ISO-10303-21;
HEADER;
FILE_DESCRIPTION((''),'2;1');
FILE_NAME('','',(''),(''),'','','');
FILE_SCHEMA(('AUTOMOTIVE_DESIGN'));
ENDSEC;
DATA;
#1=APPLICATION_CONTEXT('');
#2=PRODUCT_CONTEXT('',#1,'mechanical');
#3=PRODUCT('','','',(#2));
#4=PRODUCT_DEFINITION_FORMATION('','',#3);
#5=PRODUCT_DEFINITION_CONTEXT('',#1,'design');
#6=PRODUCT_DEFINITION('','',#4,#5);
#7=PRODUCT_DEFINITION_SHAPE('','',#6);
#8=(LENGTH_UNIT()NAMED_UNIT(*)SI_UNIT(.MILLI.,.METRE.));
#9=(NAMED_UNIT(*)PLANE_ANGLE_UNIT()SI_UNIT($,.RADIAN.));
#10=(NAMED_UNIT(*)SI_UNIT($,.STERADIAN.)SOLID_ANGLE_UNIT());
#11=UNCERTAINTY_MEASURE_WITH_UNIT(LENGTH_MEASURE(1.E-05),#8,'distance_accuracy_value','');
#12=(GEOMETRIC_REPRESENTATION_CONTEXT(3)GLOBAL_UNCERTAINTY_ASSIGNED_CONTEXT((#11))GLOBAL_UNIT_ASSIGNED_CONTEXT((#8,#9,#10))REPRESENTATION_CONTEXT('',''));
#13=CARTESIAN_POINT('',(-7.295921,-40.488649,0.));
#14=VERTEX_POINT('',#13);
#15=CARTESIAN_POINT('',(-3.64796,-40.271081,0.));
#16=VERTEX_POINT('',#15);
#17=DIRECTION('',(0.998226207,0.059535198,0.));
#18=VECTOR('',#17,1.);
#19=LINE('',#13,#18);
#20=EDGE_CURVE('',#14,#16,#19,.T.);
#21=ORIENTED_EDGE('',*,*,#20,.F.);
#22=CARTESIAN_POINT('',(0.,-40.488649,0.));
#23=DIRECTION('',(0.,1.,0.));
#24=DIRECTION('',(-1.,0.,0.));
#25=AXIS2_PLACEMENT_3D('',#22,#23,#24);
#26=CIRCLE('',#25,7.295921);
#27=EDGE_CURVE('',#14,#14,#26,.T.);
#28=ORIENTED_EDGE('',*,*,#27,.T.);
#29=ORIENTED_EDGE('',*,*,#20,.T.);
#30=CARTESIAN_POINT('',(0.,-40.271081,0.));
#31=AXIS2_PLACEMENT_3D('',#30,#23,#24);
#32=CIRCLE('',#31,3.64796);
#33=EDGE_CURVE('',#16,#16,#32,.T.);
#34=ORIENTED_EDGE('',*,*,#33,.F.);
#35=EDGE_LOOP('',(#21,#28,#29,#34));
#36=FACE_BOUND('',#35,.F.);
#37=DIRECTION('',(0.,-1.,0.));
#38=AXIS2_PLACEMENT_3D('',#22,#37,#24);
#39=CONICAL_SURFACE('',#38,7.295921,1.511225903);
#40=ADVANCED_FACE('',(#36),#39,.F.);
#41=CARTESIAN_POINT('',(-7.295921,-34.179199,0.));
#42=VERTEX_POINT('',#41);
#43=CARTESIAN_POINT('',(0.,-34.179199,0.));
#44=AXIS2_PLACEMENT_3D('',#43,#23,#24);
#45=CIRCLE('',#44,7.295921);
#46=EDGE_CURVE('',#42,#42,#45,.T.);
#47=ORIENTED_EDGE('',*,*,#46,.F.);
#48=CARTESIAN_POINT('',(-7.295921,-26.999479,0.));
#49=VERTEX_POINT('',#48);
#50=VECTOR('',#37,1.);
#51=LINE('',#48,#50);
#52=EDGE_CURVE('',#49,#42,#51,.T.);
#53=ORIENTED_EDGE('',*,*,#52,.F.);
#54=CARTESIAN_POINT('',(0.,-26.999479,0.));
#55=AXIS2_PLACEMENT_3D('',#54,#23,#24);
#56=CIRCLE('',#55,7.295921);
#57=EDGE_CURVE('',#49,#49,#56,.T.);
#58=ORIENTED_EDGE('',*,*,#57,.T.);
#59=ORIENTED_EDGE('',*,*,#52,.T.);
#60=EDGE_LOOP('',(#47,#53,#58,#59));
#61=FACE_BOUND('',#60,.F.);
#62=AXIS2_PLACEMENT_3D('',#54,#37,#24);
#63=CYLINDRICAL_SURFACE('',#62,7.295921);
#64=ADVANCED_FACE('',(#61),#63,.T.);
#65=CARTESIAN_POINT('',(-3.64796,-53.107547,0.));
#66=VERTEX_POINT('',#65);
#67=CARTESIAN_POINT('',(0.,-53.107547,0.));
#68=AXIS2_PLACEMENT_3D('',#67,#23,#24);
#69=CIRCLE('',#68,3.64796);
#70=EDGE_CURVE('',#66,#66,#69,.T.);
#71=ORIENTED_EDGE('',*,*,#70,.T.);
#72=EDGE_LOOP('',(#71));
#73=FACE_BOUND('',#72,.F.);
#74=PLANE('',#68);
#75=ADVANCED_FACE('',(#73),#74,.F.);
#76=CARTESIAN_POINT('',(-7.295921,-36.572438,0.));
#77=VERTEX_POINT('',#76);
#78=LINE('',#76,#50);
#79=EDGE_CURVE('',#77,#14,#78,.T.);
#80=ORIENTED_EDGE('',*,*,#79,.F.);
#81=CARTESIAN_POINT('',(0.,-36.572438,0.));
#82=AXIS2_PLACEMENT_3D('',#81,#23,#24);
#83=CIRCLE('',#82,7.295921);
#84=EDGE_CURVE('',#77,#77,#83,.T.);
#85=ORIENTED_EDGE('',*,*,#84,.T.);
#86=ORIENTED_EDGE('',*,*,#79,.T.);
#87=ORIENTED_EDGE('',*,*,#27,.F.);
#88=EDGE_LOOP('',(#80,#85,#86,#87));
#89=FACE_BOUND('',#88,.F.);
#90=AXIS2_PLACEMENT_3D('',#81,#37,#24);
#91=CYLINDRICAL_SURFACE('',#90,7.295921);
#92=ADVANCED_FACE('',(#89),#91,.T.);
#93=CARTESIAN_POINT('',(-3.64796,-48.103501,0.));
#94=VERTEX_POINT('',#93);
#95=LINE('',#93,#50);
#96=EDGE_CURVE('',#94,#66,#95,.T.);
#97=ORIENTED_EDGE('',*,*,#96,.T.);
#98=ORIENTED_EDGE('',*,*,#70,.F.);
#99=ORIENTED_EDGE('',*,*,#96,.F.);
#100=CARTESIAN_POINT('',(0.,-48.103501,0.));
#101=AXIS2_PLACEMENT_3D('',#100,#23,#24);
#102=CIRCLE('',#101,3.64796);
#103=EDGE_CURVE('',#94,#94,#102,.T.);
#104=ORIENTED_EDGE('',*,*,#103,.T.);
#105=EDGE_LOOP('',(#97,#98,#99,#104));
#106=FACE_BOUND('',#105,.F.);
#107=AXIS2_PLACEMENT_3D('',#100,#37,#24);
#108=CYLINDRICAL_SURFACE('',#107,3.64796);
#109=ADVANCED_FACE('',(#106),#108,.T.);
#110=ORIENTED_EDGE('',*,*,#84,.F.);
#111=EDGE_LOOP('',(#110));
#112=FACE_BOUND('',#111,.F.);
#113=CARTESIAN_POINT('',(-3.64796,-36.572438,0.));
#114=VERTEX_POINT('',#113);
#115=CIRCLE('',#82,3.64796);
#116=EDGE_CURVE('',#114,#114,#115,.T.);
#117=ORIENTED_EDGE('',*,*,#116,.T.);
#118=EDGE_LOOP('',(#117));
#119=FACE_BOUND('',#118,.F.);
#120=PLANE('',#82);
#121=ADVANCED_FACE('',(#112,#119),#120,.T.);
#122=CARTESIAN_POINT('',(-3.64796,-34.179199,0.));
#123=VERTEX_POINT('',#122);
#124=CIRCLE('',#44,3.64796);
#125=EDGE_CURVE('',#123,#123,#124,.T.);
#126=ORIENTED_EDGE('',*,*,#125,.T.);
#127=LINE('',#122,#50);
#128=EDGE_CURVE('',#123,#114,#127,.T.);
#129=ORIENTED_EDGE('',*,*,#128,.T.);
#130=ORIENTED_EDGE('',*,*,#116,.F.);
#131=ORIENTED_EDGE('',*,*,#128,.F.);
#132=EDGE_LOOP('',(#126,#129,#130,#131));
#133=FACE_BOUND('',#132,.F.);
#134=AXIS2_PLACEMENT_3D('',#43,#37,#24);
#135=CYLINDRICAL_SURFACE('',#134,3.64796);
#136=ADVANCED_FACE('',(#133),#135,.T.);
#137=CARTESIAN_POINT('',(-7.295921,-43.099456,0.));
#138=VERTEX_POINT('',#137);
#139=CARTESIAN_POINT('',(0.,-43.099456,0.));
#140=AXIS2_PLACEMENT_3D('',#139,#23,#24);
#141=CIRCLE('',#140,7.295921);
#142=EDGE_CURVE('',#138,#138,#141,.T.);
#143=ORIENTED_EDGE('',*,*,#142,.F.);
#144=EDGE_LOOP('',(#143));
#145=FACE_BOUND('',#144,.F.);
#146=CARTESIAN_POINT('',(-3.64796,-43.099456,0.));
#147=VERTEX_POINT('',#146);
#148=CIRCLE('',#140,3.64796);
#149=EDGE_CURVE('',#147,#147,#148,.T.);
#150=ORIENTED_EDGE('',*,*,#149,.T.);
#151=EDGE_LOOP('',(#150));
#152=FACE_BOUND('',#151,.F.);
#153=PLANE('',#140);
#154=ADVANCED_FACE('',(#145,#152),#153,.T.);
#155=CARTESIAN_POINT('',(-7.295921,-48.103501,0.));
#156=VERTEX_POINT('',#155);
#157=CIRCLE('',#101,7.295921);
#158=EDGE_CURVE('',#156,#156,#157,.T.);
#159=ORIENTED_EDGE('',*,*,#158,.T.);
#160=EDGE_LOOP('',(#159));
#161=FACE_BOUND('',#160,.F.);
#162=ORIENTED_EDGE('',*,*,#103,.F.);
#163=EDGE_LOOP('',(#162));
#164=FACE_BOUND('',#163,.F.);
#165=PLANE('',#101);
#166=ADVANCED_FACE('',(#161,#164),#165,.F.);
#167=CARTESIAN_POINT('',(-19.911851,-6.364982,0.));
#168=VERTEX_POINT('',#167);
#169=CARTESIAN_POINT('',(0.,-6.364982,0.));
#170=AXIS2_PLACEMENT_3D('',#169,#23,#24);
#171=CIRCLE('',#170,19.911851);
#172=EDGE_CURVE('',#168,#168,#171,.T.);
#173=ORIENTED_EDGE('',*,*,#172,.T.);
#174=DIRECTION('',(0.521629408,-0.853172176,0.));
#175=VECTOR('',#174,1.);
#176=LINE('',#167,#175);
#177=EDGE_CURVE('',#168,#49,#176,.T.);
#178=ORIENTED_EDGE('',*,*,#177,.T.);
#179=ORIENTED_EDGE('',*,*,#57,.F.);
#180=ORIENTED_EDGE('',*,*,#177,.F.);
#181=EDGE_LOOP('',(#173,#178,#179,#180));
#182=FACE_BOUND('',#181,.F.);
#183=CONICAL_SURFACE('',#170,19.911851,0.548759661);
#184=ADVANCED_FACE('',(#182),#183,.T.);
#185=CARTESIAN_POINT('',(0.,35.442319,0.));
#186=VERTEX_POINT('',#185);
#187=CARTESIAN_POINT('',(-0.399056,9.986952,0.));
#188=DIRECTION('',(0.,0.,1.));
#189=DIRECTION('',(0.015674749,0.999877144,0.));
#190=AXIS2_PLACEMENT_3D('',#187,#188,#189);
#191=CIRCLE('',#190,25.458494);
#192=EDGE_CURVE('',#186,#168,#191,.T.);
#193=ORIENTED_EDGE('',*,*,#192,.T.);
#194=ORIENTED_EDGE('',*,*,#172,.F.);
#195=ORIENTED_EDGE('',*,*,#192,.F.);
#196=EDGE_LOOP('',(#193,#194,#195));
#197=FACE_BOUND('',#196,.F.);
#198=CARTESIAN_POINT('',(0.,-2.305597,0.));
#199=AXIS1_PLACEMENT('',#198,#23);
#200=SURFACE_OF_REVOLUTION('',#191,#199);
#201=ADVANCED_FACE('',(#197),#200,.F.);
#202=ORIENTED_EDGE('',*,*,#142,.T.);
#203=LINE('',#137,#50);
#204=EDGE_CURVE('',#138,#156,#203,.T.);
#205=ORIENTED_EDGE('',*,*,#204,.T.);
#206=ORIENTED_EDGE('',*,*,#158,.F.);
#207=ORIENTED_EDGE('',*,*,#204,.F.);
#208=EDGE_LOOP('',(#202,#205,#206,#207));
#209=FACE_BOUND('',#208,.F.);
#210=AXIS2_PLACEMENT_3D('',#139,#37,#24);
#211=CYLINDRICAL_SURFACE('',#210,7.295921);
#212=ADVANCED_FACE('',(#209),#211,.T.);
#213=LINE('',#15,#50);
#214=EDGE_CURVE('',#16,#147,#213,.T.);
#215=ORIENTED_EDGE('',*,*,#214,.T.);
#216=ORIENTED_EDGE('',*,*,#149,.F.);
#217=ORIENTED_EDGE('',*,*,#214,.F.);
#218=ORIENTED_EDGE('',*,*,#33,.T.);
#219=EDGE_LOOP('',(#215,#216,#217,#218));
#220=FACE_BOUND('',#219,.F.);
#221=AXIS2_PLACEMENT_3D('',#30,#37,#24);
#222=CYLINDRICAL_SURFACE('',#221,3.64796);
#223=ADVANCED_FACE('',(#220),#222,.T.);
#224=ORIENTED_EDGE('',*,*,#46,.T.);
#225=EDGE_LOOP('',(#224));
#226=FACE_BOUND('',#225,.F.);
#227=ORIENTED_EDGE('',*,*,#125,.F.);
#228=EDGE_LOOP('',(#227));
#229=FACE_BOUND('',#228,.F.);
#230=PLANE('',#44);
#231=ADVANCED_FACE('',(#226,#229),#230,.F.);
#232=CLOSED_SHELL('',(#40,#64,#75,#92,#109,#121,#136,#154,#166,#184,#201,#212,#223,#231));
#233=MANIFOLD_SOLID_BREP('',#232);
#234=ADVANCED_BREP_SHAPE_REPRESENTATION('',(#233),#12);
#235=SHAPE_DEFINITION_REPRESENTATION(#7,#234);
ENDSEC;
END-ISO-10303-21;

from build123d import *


with BuildPart() as f1:
    # F0 (on Top) → F1 (revolve)
    with BuildSketch(Plane.XY):
        with BuildLine():
            Line((0, -26.999479), (0, 35.442319))
            ThreePointArc((0, 35.442319), (-23.383754, 20.934033), (-19.911851, -6.364982))
            Line((-19.911851, -6.364982), (-7.295921, -26.999479))
            Line((-7.295921, -26.999479), (0, -26.999479))
        make_face()
        Polygon((0, -40.053513), (0, -26.999479), (-7.295921, -26.999479), (-7.295921, -34.179199), (-3.64796, -34.179199), (-3.64796, -36.572438), (-7.295921, -36.572438), (-7.295921, -40.488649), (-3.64796, -40.271081), (-3.64796, -43.099456), (-7.295921, -43.099456), (-7.295921, -48.103501), (-3.64796, -48.103501), (-3.64796, -52.454844), (-3.64796, -53.107547), (0, -53.107547), align=None)
    revolve(axis=Axis((0, -2.305597, 0), (0, 1, 0)))


solid = f1.part
